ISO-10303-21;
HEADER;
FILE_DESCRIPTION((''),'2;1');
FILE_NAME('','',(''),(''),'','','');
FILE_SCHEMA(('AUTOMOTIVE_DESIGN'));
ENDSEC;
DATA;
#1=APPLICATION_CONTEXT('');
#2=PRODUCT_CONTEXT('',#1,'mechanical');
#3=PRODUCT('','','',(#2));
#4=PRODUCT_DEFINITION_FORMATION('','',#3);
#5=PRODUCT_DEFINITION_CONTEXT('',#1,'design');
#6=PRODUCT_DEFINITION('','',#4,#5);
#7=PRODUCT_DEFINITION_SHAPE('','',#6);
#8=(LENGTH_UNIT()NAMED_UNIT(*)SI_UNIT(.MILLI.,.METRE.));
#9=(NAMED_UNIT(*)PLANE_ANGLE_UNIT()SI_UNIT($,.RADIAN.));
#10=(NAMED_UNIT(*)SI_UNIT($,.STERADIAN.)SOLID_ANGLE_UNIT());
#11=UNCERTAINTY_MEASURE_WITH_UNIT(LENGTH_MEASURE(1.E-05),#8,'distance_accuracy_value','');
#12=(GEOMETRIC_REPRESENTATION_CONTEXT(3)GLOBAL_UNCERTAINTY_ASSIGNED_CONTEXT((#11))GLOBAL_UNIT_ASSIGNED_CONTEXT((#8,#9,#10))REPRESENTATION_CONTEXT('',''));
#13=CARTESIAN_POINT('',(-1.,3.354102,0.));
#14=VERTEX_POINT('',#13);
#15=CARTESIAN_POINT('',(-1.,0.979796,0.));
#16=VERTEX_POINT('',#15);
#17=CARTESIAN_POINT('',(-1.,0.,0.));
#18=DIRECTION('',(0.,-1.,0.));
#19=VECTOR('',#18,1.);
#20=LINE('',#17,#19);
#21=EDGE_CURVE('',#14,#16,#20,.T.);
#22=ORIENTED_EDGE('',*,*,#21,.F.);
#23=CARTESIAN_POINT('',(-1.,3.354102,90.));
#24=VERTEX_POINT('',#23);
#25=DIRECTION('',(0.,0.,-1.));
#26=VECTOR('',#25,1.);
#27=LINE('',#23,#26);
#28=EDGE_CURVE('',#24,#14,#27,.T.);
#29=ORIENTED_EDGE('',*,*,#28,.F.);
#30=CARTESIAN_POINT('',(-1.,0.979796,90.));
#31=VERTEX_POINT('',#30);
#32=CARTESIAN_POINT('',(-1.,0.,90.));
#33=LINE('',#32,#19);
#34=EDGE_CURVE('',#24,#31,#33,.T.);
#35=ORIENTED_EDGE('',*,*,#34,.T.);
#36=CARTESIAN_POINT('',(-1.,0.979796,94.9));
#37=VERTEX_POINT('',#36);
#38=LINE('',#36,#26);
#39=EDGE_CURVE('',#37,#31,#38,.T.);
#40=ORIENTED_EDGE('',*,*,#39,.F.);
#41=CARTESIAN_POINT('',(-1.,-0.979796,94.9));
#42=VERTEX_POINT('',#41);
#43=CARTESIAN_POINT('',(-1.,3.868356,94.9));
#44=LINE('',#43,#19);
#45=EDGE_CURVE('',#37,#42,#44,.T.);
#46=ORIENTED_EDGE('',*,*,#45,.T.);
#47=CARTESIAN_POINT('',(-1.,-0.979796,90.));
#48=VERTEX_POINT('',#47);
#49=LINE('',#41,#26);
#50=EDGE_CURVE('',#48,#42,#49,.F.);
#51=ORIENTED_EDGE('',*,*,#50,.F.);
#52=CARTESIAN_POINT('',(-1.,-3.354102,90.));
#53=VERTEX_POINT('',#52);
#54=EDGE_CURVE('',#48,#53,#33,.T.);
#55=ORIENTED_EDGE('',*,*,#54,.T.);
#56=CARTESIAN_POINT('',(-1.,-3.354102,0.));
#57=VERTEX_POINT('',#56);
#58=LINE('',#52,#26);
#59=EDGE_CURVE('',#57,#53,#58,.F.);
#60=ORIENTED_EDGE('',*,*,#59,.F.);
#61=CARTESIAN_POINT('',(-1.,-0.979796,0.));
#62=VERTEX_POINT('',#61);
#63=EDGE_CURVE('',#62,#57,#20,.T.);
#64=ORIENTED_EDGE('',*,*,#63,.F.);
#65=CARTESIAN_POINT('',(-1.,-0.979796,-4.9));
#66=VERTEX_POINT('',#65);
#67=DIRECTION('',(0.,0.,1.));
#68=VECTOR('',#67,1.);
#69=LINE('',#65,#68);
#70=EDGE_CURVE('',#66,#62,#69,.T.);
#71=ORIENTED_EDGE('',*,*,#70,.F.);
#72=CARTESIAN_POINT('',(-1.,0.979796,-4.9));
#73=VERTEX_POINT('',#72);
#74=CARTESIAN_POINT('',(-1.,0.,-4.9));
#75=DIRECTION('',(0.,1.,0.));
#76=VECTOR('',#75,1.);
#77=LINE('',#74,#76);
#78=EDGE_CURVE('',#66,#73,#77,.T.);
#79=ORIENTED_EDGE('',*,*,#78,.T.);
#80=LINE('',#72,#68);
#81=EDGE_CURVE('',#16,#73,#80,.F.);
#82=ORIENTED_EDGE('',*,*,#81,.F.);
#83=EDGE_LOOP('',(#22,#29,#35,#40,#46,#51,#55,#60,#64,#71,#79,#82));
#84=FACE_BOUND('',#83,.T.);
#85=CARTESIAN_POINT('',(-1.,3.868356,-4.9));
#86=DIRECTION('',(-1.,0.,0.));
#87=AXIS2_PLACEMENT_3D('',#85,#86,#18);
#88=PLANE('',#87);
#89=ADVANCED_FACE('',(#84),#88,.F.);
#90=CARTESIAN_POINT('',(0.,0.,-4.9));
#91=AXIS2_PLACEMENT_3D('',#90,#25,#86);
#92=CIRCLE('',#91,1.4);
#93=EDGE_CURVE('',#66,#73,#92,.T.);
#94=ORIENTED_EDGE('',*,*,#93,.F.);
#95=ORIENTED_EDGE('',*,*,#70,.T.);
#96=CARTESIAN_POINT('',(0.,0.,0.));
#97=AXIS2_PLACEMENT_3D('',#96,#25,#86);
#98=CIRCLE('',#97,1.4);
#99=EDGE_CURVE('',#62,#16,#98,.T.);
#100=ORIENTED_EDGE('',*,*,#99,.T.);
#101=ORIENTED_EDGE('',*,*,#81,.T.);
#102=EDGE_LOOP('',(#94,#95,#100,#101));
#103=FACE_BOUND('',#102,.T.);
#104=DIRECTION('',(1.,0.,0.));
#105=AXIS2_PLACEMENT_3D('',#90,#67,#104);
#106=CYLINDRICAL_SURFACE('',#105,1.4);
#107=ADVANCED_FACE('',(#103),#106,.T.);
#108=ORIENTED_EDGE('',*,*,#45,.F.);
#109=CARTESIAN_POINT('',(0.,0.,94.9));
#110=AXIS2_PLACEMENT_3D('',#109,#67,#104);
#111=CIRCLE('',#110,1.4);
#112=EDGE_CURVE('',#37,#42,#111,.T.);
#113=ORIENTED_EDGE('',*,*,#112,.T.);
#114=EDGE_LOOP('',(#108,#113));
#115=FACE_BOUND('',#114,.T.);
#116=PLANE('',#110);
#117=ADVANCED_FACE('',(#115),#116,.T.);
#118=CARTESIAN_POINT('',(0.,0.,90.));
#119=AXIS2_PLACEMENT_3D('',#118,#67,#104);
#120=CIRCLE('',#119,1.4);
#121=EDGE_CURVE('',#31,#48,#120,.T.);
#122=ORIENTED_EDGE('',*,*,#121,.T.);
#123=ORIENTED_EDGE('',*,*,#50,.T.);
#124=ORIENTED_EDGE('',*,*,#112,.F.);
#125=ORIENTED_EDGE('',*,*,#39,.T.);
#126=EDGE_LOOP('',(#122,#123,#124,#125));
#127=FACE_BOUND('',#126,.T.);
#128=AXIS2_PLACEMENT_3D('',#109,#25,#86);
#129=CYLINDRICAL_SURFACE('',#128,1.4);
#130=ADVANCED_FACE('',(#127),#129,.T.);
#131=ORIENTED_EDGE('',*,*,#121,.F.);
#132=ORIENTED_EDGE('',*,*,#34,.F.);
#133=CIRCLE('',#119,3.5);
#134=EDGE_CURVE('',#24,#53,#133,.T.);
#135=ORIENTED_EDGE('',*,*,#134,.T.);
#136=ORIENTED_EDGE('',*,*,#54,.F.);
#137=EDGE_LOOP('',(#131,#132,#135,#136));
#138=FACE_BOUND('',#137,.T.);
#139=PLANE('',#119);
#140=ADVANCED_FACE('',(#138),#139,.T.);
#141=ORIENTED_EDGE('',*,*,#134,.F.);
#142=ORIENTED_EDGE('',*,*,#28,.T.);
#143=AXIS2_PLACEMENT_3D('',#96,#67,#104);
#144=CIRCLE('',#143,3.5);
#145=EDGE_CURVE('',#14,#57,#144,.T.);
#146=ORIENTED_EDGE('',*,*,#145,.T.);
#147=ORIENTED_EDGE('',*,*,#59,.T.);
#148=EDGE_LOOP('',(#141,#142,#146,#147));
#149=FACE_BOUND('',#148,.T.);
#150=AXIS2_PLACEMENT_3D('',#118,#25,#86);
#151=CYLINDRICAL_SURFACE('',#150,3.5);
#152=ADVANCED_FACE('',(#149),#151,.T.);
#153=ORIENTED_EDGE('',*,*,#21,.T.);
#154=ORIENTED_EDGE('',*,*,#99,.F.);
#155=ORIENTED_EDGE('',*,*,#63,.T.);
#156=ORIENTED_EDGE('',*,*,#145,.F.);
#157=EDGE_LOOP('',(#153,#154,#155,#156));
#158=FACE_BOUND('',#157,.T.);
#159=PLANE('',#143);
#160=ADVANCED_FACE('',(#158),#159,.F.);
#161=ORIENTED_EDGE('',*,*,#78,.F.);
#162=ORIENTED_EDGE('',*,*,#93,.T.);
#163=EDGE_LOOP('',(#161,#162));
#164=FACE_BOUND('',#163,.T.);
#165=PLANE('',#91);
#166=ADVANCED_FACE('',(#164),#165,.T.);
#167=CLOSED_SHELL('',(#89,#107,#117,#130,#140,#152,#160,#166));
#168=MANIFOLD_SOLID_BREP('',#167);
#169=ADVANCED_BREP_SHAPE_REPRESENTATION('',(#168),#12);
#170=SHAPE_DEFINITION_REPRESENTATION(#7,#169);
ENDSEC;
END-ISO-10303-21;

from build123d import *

# Parameters (mm, degrees)
SKIZZE1_R                            = 3.5
AUFSATZ_LINEAR_AUSTRAGEN1_DEPTH      = 90
SKIZZE3_R                            = 1.4
AUFSATZ_LINEAR_AUSTRAGEN2_DEPTH      = 4.9
AUFSATZ_LINEAR_START                 = 4.9
SKIZZE4_R                            = 1.4
AUFSATZ_LINEAR_AUSTRAGEN3_DEPTH      = 4.9
SCHNITT_LINEAR_AUSTRAGEN1_DEPTH      = 96.028995575
SCHNITT_LINEAR_AUSTRAGEN1_DEPTH_BACK = 96.028995575
SKIZZE5_W                            = 2
SKIZZE5_H                            = 8.003816725
SCHNITT_LINEAR_AUSTRAGEN2_DEPTH      = 96.023733877
SCHNITT_LINEAR_AUSTRAGEN2_DEPTH_BACK = 96.023733877
SKIZZE6_W                            = 3.926264937
SKIZZE6_H                            = 7.51599288


with BuildPart() as part:
    # Skizze1 → Aufsatz-Linear austragen1 (new body)
    with BuildSketch(Plane.XY):
        with Locations(Location((0, 0, 0), (0, 0, 180))):
            Circle(SKIZZE1_R)
    extrude(amount=AUFSATZ_LINEAR_AUSTRAGEN1_DEPTH)

    # Skizze3 → Aufsatz-Linear austragen2 (add)
    with BuildSketch(Plane.XY.offset(90)):
        Circle(SKIZZE3_R)
    extrude(amount=AUFSATZ_LINEAR_AUSTRAGEN2_DEPTH)

    # Skizze4 → Aufsatz-Linear austragen3 (add)
    with BuildSketch(Plane(origin=(0, 0, 0), x_dir=(-1, 0, 0), z_dir=(0, 0, -1)).offset(AUFSATZ_LINEAR_START)):
        with Locations(Location((0, 0, 0), (0, 0, 180))):
            Circle(SKIZZE4_R)
    extrude(amount=-AUFSATZ_LINEAR_AUSTRAGEN3_DEPTH)

    # Skizze5 → Schnitt-Linear austragen1 (cut, two sides: drawn at the far end of the back side and taken through both)
    with BuildSketch(Plane.XY.offset(90).offset(-SCHNITT_LINEAR_AUSTRAGEN1_DEPTH_BACK)):
        with Locations((0, -0.133552217)):
            Rectangle(SKIZZE5_W, SKIZZE5_H)
    extrude(amount=SCHNITT_LINEAR_AUSTRAGEN1_DEPTH + SCHNITT_LINEAR_AUSTRAGEN1_DEPTH_BACK, mode=Mode.SUBTRACT)


with BuildPart() as schnitt_linear_austragen1_piece_1:
    # of the separate pieces the step leaves, piece 1, a body of its own (schnitt_linear_austragen1_pieces)
    add(part.part.solids().sort_by_distance((-1, 3.354101966, 0))[0])


with BuildPart() as schnitt_linear_austragen1_piece_2:
    # of the separate pieces the step leaves, piece 2, a body of its own (schnitt_linear_austragen1_pieces)
    add(part.part.solids().sort_by_distance((1, -3.354101966, 0))[0])

    # Skizze6 → Schnitt-Linear austragen2 (cut, two sides: drawn at the far end of the back side and taken through both)
    with BuildSketch(Plane.XY.offset(90).offset(-SCHNITT_LINEAR_AUSTRAGEN2_DEPTH_BACK)):
        with Locations((2.16722224, 0.040063928)):
            Rectangle(SKIZZE6_W, SKIZZE6_H)
    extrude(amount=SCHNITT_LINEAR_AUSTRAGEN2_DEPTH + SCHNITT_LINEAR_AUSTRAGEN2_DEPTH_BACK, mode=Mode.SUBTRACT)


solid = schnitt_linear_austragen1_piece_1.part
